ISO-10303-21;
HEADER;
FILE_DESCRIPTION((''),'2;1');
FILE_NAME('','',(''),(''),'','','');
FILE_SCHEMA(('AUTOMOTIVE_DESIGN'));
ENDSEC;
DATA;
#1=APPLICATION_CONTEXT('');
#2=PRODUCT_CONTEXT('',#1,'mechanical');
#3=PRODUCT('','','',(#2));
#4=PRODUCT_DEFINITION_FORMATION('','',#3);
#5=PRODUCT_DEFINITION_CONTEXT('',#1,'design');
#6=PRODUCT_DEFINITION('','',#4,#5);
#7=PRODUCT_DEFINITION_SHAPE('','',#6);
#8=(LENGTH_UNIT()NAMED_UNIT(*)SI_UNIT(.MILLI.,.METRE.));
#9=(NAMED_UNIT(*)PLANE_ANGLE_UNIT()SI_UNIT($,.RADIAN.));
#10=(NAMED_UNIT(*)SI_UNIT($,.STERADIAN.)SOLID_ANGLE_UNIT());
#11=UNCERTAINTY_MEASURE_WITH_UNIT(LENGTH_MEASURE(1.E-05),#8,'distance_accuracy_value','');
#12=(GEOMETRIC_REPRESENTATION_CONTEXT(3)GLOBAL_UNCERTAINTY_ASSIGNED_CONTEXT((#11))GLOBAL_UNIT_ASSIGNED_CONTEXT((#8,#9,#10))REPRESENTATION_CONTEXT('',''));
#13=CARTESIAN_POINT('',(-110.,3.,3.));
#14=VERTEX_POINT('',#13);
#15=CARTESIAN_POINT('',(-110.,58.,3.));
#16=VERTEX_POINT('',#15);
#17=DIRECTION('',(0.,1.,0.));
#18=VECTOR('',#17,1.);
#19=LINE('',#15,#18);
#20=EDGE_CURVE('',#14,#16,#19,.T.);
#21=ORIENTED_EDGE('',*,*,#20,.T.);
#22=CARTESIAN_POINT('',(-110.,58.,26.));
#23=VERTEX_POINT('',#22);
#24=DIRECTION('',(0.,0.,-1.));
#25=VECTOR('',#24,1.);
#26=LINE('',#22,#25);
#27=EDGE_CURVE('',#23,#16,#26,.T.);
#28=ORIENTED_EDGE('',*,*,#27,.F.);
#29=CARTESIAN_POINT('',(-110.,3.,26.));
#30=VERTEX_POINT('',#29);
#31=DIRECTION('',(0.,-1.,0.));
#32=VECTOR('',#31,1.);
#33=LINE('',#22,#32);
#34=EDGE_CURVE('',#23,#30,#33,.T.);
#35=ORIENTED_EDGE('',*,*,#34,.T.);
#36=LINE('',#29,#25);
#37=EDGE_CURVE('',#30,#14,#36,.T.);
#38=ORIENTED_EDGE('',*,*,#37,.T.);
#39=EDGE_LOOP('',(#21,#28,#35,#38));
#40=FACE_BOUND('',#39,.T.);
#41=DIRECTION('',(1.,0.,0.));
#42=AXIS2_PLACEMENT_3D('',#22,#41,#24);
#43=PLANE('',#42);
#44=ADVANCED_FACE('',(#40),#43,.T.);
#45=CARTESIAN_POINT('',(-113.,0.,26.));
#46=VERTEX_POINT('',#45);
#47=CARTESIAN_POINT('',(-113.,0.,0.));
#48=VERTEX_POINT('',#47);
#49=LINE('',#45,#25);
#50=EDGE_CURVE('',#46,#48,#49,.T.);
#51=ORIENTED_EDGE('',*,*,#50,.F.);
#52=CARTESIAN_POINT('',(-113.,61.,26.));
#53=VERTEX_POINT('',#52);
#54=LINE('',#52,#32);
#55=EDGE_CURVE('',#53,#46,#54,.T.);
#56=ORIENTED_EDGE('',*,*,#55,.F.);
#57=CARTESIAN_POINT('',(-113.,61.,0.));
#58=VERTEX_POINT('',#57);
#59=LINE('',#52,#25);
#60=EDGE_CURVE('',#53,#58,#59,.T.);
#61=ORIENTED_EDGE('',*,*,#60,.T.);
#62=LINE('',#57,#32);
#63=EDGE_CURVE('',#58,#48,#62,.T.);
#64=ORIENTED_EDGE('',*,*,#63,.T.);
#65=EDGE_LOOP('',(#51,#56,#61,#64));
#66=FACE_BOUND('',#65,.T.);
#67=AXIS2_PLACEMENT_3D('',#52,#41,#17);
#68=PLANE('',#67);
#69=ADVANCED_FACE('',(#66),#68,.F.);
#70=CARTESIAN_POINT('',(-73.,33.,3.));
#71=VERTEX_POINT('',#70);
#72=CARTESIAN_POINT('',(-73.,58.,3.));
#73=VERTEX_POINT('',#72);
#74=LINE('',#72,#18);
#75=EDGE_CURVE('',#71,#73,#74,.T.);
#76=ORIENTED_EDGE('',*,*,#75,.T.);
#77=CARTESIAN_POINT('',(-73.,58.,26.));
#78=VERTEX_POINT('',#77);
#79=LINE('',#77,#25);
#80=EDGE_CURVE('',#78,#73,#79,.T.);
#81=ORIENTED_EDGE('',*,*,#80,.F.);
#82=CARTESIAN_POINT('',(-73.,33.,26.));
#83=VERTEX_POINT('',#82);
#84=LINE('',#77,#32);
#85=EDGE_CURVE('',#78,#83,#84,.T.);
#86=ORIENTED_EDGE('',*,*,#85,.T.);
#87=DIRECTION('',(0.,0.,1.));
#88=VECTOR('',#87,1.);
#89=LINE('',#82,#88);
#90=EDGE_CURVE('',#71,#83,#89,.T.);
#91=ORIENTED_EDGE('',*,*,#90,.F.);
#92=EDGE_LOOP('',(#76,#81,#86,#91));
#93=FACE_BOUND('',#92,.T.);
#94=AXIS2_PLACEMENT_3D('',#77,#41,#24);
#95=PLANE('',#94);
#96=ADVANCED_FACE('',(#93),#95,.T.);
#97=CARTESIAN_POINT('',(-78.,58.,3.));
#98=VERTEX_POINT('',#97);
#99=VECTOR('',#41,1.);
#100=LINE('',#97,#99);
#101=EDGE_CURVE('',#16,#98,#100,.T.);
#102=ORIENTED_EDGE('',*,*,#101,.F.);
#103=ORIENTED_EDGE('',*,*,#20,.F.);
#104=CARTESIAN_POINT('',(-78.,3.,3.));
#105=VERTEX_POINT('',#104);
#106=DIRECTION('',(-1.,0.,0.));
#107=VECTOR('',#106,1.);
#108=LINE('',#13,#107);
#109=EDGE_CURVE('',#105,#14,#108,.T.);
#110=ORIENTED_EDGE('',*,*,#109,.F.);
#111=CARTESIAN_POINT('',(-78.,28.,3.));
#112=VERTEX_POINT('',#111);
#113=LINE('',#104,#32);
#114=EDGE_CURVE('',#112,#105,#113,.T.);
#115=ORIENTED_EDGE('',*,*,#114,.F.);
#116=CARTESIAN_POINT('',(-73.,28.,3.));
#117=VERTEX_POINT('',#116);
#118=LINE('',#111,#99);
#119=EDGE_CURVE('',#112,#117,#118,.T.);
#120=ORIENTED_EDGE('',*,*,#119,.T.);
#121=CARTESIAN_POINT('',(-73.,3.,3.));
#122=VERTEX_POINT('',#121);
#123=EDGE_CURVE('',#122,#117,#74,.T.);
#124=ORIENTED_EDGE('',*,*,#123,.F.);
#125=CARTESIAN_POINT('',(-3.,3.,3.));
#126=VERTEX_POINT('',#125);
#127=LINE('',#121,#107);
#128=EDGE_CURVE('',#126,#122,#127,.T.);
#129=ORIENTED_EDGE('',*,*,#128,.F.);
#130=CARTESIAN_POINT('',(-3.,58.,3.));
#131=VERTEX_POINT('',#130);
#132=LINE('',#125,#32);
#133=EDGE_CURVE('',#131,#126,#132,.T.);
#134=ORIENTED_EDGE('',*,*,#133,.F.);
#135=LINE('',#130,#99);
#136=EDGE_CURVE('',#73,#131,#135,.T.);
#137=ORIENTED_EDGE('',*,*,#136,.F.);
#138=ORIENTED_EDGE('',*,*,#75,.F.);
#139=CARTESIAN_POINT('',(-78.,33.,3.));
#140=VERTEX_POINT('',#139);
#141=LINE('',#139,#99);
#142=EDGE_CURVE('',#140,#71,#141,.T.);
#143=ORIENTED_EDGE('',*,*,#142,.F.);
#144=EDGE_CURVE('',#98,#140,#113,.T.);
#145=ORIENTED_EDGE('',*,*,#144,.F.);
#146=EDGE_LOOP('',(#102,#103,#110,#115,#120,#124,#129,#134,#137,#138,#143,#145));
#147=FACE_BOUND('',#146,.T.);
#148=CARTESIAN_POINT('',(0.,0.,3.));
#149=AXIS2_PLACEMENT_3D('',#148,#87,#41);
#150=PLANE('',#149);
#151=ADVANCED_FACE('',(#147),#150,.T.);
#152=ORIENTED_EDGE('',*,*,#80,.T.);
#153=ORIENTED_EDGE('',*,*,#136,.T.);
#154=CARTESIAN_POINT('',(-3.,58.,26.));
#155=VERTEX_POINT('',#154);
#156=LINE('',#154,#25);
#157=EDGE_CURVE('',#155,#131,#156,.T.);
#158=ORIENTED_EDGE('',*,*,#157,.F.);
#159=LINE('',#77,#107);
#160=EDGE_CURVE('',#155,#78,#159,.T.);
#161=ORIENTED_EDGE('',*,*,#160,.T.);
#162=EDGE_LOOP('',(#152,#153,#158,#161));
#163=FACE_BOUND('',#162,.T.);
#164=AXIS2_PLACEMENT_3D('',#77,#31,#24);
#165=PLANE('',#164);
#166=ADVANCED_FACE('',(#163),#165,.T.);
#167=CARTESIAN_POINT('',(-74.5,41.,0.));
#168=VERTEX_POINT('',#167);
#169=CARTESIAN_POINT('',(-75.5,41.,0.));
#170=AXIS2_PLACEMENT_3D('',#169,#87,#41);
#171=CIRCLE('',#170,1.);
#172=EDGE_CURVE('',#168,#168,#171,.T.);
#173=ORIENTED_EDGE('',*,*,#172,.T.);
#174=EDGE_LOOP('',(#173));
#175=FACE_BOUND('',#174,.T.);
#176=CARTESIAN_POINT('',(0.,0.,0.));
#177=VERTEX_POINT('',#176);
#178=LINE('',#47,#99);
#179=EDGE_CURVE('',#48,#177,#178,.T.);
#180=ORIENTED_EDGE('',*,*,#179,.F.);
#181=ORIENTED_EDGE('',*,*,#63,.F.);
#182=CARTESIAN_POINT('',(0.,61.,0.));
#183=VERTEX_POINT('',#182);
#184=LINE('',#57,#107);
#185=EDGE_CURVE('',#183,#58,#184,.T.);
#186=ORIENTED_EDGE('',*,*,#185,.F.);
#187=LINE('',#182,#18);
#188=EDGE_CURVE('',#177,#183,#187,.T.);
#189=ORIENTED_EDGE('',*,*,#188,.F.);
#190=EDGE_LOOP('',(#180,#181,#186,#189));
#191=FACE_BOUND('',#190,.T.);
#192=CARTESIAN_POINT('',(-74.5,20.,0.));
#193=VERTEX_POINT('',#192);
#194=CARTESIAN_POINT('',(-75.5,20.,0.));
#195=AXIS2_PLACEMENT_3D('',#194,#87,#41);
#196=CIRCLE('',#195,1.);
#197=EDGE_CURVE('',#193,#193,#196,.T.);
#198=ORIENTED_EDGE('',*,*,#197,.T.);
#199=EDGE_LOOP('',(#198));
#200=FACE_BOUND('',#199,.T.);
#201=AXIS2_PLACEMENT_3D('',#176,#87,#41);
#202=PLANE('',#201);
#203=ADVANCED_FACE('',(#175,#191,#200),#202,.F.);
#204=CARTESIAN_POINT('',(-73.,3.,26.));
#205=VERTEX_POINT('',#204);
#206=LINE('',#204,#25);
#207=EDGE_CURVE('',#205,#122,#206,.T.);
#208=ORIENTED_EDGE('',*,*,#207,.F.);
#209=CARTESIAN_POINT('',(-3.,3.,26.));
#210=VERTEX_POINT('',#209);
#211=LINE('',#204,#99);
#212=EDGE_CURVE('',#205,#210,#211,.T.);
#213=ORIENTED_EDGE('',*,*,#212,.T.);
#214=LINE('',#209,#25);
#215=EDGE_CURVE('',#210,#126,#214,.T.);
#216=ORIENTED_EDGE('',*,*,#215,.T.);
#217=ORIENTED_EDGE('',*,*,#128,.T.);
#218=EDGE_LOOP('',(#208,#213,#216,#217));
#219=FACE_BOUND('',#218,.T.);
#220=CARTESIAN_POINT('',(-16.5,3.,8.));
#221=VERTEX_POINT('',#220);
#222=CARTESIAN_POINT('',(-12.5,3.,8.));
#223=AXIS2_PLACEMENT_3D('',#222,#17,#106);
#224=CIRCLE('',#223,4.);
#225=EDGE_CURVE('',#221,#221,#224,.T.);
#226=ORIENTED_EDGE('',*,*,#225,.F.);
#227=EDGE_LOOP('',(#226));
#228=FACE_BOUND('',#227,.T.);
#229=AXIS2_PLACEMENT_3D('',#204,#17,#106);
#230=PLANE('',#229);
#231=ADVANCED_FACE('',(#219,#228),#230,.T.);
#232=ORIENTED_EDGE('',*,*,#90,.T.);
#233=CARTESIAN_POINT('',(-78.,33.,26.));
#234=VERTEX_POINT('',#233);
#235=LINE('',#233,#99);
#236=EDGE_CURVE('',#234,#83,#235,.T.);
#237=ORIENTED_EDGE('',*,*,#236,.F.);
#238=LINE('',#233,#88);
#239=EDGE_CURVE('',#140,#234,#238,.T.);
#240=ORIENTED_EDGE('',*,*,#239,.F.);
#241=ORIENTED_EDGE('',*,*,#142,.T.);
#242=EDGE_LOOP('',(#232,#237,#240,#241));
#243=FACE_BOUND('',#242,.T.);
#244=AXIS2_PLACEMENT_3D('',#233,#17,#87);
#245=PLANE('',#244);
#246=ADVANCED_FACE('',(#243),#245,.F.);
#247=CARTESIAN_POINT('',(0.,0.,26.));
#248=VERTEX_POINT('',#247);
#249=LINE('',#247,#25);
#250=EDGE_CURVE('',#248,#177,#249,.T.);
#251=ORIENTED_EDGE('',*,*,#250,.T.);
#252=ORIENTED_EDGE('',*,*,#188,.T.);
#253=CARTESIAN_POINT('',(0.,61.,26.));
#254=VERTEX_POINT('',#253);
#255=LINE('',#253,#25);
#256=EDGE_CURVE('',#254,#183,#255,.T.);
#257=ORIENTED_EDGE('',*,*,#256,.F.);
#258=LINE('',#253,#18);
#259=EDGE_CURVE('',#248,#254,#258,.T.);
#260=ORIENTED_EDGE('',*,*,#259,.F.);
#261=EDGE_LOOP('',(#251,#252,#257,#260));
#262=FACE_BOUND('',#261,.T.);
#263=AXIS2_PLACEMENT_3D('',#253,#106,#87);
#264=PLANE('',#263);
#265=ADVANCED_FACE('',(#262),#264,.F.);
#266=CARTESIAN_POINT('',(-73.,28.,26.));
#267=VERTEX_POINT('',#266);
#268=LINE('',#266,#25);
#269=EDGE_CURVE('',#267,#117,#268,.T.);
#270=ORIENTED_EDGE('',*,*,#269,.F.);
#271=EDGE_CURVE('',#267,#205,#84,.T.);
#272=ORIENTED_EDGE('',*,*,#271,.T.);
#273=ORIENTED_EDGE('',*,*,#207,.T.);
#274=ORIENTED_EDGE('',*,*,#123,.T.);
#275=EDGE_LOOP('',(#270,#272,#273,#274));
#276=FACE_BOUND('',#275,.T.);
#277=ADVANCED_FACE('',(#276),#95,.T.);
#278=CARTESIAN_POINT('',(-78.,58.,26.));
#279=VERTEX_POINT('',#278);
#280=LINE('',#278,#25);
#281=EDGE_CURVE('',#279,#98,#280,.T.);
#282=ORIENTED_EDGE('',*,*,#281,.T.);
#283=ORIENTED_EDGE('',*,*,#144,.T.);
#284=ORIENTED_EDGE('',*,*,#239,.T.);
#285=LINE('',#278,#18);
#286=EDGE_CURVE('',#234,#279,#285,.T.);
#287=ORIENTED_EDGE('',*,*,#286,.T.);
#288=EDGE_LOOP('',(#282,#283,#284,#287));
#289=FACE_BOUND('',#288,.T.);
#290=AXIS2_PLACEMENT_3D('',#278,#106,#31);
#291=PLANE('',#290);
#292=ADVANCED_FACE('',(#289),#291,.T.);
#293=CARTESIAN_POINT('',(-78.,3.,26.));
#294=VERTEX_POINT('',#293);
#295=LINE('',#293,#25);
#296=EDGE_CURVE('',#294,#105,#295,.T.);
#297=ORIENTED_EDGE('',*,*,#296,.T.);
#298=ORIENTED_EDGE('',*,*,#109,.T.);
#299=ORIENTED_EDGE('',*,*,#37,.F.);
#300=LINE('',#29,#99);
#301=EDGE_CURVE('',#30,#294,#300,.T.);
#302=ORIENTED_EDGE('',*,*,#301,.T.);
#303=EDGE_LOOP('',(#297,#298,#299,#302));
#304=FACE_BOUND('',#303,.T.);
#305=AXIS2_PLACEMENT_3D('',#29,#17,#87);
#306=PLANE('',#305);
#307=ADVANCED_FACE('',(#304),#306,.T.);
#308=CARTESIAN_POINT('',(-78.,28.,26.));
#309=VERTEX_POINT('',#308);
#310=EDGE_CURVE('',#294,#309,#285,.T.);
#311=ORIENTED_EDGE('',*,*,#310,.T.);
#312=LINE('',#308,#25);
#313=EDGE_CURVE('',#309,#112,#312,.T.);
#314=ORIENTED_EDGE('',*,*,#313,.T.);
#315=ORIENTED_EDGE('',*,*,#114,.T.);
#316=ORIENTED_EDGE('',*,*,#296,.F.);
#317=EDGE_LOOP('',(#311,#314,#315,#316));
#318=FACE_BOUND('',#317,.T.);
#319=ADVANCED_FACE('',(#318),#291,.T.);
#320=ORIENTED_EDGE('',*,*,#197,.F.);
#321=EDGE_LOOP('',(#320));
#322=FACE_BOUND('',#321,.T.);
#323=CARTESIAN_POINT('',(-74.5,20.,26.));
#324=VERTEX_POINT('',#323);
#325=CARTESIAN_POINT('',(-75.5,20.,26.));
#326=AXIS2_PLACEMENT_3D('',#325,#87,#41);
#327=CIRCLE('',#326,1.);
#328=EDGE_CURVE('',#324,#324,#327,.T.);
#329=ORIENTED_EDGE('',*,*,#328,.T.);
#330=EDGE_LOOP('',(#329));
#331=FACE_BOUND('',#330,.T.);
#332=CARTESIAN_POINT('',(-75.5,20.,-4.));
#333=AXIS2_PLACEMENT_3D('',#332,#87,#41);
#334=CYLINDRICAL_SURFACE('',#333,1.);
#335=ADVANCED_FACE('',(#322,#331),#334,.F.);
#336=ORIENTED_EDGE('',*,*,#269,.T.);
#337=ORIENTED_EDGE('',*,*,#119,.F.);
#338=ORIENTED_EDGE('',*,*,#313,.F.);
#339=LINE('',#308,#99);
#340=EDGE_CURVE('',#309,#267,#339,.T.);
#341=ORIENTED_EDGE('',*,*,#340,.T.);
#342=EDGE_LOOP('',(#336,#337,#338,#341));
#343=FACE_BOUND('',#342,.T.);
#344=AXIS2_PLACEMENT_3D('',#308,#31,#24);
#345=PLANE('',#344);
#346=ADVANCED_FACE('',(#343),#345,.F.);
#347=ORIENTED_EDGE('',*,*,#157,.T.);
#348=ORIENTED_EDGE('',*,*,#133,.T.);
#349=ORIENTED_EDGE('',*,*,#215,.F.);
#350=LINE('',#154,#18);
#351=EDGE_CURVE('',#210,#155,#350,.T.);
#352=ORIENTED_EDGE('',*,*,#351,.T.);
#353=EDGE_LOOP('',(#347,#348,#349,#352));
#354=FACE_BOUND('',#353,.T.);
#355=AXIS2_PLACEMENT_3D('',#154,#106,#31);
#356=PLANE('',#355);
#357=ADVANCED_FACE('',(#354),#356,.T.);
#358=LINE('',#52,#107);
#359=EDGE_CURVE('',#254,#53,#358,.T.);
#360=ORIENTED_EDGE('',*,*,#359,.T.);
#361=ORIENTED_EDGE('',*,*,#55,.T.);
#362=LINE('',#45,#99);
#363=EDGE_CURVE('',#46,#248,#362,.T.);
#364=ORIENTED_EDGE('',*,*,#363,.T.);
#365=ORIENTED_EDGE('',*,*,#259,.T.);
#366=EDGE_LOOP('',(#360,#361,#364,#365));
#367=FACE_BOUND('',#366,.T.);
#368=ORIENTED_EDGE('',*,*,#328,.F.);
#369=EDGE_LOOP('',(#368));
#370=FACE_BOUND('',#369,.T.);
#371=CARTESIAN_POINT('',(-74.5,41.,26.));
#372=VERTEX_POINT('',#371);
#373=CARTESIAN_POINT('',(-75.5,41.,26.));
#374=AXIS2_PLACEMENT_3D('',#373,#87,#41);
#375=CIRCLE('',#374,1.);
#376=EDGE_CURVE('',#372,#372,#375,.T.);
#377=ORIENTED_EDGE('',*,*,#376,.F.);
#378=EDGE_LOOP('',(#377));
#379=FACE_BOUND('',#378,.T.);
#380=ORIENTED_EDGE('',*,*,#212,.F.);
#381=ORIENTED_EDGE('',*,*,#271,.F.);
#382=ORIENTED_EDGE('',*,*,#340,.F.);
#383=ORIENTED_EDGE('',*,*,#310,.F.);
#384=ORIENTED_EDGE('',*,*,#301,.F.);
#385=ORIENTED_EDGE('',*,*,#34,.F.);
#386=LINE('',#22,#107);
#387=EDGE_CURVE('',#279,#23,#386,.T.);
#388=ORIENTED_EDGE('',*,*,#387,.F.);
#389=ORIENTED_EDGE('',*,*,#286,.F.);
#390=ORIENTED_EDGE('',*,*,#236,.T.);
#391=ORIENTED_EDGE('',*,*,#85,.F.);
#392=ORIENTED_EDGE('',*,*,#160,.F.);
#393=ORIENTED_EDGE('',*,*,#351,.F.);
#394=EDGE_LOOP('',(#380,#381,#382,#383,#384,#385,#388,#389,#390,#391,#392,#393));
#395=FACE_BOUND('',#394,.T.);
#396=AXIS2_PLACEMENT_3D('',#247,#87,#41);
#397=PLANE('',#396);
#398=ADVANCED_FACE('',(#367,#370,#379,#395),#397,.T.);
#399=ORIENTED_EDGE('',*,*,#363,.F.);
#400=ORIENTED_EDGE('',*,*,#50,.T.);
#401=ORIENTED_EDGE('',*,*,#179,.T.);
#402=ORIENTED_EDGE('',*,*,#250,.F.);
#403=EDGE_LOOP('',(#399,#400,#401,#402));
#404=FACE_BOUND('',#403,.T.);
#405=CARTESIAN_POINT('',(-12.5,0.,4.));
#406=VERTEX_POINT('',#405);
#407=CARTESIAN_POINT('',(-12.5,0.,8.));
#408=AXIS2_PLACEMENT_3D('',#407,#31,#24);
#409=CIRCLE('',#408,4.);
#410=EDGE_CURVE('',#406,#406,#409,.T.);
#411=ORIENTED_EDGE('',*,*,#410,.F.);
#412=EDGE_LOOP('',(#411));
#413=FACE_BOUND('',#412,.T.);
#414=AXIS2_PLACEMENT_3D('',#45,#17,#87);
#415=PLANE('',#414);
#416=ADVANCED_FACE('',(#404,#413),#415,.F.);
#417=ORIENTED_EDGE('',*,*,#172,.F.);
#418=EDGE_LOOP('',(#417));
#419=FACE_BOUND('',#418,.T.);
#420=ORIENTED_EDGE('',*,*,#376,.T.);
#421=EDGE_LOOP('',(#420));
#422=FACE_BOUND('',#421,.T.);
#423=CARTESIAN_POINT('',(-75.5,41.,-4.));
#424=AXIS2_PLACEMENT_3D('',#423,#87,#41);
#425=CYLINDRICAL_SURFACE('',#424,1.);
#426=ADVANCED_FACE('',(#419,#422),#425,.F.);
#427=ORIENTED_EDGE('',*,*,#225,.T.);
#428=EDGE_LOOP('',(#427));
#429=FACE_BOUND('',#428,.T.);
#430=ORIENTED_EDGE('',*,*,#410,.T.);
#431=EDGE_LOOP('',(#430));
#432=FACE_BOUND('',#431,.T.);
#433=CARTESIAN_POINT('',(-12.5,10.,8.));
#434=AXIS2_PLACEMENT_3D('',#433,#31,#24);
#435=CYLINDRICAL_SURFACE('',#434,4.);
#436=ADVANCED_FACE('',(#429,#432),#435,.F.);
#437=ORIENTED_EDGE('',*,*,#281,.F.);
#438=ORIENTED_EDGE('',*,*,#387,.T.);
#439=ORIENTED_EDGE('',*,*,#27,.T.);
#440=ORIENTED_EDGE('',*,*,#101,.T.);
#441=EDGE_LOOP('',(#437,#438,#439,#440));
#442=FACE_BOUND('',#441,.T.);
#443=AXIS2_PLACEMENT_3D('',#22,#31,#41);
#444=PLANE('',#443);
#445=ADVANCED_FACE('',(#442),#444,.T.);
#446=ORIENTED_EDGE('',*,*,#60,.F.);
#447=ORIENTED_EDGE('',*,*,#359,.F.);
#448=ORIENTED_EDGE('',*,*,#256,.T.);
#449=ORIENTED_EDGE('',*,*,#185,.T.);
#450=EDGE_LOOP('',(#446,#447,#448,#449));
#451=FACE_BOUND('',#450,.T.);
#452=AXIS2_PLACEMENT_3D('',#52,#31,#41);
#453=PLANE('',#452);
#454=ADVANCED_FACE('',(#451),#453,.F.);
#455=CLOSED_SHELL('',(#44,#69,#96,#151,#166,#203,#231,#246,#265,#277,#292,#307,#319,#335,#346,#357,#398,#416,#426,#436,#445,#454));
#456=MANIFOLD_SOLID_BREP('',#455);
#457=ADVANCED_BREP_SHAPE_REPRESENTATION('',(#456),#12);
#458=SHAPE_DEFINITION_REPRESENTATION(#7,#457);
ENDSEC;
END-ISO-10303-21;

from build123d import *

# Parameters (mm, degrees)
SKETCH1_W           = 113
SKETCH1_H           = 61
SKETCH1_W_2         = 70
SKETCH1_H_2         = 55
SKETCH1_W_3         = 32
BOSS_EXTRUDE1_DEPTH = 26
SKETCH2_W           = 70
SKETCH2_H           = 55
SKETCH2_W_2         = 32
BOSS_EXTRUDE2_DEPTH = 3
SKETCH3_W           = 23
SKETCH3_H           = 5
CUT_EXTRUDE1_DEPTH  = 5
SKETCH5_R           = 4
CUT_EXTRUDE3_DEPTH  = 10
SKETCH6_R           = 1
CUT_EXTRUDE4_DEPTH  = 30


with BuildPart() as part:
    # Sketch1 → Boss-Extrude1 (new body)
    with BuildSketch(Plane.XY):
        with Locations((-56.5, 30.5)):
            Rectangle(SKETCH1_W, SKETCH1_H)
        with Locations((-38, 30.5)):
            Rectangle(SKETCH1_W_2, SKETCH1_H_2, mode=Mode.SUBTRACT)
        with Locations((-94, 30.5)):
            Rectangle(SKETCH1_W_3, SKETCH1_H_2, mode=Mode.SUBTRACT)
    extrude(amount=BOSS_EXTRUDE1_DEPTH)

    # Sketch2 → Boss-Extrude2 (add)
    with BuildSketch(Plane(origin=(0, 0, 0), x_dir=(-1, 0, 0), z_dir=(0, 0, -1))):
        with Locations((38, 30.5)):
            Rectangle(SKETCH2_W, SKETCH2_H)
        with Locations((94, 30.5)):
            Rectangle(SKETCH2_W_2, SKETCH2_H)
    extrude(amount=-BOSS_EXTRUDE2_DEPTH)

    # Sketch3 → Cut-Extrude1 (cut)
    with BuildSketch(Plane(origin=(-73, 0, 0), x_dir=(0, 0, -1), z_dir=(1, 0, 0))):
        with Locations((-14.5, 30.5)):
            Rectangle(SKETCH3_W, SKETCH3_H)
    extrude(amount=-CUT_EXTRUDE1_DEPTH, mode=Mode.SUBTRACT)

    # Sketch5 → Cut-Extrude3 (cut)
    with BuildSketch(Plane(origin=(0, 0, 0), x_dir=(-1, 0, 0), z_dir=(0, -1, 0))):
        with Locations(Location((12.5, -8, 0), (0, 0, 90))):
            Circle(SKETCH5_R)
    extrude(amount=-CUT_EXTRUDE3_DEPTH, mode=Mode.SUBTRACT)

    # Sketch6 → Cut-Extrude4 (cut)
    with BuildSketch(Plane.XY.offset(26)):
        with Locations((-75.5, 41)):
            Circle(SKETCH6_R)
        with Locations((-75.5, 20)):
            Circle(SKETCH6_R)
    extrude(amount=-CUT_EXTRUDE4_DEPTH, mode=Mode.SUBTRACT)


solid = part.part
